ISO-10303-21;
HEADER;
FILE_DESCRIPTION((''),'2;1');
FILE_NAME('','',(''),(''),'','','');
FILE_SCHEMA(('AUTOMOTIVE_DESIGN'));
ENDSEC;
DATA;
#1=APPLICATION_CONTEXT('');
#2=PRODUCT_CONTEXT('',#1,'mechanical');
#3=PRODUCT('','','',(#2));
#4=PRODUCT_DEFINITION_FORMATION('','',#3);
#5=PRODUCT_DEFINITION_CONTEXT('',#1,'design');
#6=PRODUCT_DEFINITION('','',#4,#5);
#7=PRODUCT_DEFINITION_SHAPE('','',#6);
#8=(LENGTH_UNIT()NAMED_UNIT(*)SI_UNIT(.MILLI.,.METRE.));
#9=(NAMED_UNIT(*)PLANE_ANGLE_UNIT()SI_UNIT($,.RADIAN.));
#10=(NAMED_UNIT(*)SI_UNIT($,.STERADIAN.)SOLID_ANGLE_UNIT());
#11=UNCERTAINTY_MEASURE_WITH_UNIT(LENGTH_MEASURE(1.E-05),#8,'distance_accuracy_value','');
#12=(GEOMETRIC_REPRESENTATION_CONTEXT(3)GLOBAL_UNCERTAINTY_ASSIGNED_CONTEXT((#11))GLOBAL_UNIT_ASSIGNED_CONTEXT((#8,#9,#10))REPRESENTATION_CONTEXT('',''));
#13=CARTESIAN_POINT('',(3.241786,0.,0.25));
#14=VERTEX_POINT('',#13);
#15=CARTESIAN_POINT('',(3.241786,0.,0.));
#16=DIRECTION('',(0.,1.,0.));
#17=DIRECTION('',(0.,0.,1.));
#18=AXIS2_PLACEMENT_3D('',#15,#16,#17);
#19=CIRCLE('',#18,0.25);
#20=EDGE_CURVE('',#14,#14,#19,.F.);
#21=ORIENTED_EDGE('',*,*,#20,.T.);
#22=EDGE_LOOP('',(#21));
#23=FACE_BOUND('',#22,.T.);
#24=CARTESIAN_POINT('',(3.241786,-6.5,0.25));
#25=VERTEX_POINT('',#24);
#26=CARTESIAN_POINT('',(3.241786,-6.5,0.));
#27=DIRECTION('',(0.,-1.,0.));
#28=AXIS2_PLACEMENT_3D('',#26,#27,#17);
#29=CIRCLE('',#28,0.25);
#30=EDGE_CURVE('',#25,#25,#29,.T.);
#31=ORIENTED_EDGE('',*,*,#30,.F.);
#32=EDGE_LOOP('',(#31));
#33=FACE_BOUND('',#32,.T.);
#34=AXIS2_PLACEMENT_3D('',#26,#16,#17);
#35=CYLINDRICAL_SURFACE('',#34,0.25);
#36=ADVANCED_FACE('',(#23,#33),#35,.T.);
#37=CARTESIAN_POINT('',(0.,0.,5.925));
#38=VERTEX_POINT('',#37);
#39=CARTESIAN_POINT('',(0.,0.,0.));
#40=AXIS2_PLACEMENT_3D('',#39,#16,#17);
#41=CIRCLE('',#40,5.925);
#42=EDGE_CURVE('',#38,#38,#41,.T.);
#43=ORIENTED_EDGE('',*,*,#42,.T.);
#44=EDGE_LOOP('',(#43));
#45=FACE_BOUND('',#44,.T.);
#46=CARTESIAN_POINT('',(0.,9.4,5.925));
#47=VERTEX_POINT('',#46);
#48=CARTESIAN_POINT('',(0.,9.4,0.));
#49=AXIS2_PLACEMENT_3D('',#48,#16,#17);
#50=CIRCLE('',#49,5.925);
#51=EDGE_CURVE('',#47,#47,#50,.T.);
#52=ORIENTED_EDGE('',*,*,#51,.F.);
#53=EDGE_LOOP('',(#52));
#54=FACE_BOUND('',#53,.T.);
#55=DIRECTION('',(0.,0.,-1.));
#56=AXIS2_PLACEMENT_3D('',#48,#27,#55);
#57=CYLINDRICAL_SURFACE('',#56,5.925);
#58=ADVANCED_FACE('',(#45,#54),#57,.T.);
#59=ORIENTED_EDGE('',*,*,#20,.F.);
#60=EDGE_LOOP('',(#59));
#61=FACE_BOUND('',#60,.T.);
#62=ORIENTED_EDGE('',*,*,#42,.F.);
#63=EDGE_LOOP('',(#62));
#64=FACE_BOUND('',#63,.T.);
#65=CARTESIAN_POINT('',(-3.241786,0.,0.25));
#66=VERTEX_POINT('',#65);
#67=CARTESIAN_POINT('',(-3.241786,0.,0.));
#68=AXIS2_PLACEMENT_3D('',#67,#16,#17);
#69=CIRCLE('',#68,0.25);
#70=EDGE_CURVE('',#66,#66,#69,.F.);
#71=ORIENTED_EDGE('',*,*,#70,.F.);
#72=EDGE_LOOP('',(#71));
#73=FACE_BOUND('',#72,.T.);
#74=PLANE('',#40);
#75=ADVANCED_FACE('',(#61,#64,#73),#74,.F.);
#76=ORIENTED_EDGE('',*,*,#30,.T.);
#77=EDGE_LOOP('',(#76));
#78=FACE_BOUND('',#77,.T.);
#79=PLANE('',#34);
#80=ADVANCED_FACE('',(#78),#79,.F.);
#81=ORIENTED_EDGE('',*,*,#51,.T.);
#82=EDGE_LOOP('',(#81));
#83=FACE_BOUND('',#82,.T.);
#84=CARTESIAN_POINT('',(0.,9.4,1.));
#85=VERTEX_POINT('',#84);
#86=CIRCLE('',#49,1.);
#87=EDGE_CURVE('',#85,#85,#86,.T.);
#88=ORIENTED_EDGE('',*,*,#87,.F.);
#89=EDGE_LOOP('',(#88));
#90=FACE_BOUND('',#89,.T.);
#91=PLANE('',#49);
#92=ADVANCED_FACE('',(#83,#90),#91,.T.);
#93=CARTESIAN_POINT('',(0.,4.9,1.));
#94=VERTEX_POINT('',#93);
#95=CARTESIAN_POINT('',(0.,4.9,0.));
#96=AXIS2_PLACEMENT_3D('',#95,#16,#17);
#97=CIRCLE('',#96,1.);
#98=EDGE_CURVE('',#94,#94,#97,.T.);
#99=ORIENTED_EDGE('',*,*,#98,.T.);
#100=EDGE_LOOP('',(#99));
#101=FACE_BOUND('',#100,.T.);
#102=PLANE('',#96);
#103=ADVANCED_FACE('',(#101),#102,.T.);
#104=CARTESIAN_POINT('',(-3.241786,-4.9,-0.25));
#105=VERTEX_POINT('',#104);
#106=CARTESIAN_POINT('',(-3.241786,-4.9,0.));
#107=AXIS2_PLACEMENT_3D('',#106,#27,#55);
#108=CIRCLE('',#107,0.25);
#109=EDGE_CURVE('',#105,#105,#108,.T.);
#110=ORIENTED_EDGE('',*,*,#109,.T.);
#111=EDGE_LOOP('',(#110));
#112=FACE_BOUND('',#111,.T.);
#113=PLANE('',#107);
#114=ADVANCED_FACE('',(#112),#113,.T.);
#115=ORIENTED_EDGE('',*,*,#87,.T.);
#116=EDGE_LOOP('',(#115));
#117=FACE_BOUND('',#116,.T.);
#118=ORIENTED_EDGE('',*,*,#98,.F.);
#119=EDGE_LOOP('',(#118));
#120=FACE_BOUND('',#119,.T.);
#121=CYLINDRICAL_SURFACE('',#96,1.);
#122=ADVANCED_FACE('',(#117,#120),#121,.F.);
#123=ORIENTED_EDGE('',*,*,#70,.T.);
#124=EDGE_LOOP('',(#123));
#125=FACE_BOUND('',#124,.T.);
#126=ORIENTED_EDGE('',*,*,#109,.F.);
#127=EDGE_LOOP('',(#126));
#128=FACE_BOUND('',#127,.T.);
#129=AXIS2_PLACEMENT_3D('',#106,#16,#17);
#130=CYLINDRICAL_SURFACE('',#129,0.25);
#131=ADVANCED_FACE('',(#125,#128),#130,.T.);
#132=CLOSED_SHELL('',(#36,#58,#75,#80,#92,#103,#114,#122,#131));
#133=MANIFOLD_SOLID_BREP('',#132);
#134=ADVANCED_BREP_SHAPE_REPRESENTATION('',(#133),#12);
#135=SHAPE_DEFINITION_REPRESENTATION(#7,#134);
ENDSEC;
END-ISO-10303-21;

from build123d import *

# Parameters (mm, degrees)
CROQUIS1_R              = 5.925
SALIENTE_EXTRUIR1_DEPTH = 9.4
CROQUIS2_R              = 0.25
SALIENTE_EXTRUIR2_DEPTH = 4.9
CROQUIS3_R              = 0.25
SALIENTE_EXTRUIR3_DEPTH = 6.5
CROQUIS4_R              = 1
CORTAR_EXTRUIR1_DEPTH   = 4.5


with BuildPart() as part:
    # Croquis1 → Saliente-Extruir1 (new body)
    with BuildSketch(Plane(origin=(0, 0, 0), x_dir=(1, 0, 0), z_dir=(0, 1, 0))):
        Circle(CROQUIS1_R)
    extrude(amount=SALIENTE_EXTRUIR1_DEPTH)

    # Croquis2 → Saliente-Extruir2 (add)
    with BuildSketch(Plane.XZ):
        with Locations((-3.241786254, 0)):
            Circle(CROQUIS2_R)
    extrude(amount=SALIENTE_EXTRUIR2_DEPTH)

    # Croquis3 → Saliente-Extruir3 (add)
    with BuildSketch(Plane.XZ):
        with Locations((3.241786254, 0)):
            Circle(CROQUIS3_R)
    extrude(amount=SALIENTE_EXTRUIR3_DEPTH)

    # Croquis4 → Cortar-Extruir1 (cut)
    with BuildSketch(Plane(origin=(0, 9.4, 0), x_dir=(1, 0, 0), z_dir=(0, 1, 0))):
        Circle(CROQUIS4_R)
    extrude(amount=-CORTAR_EXTRUIR1_DEPTH, mode=Mode.SUBTRACT)


solid = part.part
